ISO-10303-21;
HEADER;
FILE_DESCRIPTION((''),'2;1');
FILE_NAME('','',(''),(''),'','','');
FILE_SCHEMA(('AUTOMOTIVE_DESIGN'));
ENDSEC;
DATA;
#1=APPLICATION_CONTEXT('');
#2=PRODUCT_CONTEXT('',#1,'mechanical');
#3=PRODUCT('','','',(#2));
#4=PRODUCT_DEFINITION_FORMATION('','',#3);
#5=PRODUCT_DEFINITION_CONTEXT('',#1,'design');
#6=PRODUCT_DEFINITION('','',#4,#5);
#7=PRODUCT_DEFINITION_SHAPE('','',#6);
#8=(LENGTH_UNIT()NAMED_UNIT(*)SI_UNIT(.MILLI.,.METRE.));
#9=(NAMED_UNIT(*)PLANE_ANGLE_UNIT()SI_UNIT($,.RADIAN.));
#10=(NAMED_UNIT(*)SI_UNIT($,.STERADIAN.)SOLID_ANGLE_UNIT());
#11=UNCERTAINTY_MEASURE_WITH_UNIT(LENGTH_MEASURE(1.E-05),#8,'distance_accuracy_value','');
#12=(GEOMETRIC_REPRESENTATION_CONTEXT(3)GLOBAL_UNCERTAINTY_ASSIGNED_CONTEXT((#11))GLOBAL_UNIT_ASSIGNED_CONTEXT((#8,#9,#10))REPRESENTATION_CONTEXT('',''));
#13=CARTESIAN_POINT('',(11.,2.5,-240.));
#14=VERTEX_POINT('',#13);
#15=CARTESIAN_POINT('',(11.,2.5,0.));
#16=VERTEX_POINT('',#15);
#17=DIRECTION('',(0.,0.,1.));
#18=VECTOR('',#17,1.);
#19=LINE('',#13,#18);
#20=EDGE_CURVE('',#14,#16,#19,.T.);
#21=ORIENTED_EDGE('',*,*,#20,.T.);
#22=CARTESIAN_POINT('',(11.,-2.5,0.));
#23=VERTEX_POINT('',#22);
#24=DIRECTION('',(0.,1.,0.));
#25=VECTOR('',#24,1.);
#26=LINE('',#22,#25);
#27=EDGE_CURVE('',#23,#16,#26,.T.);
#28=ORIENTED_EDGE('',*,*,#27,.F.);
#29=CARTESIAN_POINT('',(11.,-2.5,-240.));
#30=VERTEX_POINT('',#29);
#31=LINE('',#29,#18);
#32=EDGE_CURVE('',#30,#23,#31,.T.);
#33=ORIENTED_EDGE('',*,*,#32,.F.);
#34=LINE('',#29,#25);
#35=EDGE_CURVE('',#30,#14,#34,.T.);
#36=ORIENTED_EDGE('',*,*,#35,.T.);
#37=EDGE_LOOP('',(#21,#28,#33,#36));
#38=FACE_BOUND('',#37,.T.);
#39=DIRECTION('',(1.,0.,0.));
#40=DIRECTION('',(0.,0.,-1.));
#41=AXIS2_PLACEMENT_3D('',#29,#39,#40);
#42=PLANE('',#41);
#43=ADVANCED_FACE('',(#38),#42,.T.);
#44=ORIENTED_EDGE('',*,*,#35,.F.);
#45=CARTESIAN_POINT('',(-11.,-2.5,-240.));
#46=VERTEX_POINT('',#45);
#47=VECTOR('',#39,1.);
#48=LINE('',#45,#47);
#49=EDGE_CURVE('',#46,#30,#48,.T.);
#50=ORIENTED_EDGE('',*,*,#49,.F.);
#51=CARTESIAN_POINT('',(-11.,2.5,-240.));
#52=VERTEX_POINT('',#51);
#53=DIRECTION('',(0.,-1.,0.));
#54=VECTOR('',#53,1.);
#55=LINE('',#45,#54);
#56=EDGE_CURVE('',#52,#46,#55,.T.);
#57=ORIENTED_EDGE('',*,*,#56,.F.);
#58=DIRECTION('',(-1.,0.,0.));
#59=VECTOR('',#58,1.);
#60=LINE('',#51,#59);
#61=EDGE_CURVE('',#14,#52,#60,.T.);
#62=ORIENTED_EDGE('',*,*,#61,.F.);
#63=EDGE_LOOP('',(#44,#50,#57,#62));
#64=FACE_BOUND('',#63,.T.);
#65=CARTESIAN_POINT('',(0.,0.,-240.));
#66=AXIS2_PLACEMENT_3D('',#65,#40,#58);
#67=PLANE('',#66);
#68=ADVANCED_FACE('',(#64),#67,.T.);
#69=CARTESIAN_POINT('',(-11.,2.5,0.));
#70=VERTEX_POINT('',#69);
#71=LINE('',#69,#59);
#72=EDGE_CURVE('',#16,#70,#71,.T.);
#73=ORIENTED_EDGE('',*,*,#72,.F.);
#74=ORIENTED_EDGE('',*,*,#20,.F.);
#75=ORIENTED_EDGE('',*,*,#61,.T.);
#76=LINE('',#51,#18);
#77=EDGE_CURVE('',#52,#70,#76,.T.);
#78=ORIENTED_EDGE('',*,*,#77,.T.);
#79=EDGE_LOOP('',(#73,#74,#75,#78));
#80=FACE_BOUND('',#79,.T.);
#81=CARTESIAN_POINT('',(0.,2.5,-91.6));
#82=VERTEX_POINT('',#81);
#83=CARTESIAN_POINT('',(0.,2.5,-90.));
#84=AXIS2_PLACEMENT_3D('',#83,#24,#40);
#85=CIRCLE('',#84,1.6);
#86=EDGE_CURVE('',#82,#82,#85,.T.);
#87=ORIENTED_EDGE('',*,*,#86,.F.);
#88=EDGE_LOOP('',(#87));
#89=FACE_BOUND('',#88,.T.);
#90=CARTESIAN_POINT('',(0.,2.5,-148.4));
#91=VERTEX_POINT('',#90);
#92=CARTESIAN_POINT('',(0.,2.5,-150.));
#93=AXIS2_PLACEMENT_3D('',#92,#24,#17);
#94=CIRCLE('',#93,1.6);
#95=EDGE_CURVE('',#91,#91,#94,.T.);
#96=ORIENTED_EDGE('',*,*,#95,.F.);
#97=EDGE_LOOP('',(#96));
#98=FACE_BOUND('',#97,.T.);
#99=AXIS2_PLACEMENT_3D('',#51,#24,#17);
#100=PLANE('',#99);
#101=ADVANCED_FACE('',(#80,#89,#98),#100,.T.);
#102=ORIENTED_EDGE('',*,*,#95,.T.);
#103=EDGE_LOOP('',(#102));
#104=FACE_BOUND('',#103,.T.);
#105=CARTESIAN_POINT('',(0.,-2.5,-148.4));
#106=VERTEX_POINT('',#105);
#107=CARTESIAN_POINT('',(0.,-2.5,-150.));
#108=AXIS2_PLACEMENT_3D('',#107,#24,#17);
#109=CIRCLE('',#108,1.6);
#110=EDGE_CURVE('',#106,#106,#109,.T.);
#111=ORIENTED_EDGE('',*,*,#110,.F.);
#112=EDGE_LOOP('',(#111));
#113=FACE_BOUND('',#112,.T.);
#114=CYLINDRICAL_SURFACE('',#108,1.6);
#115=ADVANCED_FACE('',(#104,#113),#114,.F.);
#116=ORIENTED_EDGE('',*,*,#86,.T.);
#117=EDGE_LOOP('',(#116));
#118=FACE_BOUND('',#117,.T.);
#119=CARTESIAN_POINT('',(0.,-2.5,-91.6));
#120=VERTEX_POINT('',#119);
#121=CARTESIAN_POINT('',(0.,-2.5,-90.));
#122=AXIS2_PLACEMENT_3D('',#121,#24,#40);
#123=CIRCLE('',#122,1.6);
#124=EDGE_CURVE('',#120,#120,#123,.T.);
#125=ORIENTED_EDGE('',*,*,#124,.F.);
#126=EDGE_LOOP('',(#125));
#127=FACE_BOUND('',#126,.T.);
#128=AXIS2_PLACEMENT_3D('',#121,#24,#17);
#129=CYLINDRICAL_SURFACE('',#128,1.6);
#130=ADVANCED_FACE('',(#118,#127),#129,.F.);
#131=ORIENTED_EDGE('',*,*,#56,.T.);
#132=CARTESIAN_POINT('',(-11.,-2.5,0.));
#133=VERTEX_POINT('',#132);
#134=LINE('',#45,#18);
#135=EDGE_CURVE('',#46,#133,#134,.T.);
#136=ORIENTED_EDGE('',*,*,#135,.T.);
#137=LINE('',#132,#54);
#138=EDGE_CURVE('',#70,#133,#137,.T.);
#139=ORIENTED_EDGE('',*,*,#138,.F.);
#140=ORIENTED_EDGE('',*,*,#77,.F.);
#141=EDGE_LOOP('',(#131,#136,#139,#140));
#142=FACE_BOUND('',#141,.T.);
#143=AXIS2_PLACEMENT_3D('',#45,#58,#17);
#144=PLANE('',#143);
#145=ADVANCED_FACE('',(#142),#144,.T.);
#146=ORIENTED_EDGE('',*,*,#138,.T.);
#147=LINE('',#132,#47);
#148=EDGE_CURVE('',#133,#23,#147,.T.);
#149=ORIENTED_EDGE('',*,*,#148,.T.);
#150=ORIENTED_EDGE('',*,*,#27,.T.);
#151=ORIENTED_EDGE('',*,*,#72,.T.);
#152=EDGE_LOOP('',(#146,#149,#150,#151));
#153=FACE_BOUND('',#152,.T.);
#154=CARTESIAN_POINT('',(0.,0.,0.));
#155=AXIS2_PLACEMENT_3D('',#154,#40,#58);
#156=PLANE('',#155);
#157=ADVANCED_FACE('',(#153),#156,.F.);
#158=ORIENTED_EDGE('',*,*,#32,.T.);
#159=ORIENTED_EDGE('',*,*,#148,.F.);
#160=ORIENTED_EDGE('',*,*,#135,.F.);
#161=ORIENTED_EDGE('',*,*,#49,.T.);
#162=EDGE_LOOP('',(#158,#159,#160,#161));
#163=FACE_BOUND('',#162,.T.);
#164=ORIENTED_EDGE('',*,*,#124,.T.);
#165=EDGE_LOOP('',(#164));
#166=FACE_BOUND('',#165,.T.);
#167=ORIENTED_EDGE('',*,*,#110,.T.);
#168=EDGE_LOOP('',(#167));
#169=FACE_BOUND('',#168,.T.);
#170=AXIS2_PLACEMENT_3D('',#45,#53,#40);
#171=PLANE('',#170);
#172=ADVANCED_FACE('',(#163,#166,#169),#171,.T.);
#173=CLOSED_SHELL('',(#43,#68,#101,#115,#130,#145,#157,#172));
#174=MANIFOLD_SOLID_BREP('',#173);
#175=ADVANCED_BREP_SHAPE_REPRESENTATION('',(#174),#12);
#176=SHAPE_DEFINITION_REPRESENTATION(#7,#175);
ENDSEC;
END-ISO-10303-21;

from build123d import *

# Parameters (mm, degrees)
SKETCH1_W           = 22
SKETCH1_H           = 5
BOSS_EXTRUDE1_DEPTH = 240
SKETCH2_R           = 1.6
CUT_EXTRUDE1_DEPTH  = 6


with BuildPart() as part:
    # Sketch1 → Boss-Extrude1 (new body)
    with BuildSketch(Plane.XY):
        Rectangle(SKETCH1_W, SKETCH1_H)
    extrude(amount=-BOSS_EXTRUDE1_DEPTH)

    # Sketch2 → Cut-Extrude1 (cut, through all)
    with BuildSketch(Plane(origin=(0, 2.5, 0), x_dir=(1, 0, 0), z_dir=(0, 1, 0))):
        with Locations((0, 150)):
            Circle(SKETCH2_R)
        with Locations((0, 90)):
            Circle(SKETCH2_R)
    extrude(amount=-CUT_EXTRUDE1_DEPTH, mode=Mode.SUBTRACT)


solid = part.part
